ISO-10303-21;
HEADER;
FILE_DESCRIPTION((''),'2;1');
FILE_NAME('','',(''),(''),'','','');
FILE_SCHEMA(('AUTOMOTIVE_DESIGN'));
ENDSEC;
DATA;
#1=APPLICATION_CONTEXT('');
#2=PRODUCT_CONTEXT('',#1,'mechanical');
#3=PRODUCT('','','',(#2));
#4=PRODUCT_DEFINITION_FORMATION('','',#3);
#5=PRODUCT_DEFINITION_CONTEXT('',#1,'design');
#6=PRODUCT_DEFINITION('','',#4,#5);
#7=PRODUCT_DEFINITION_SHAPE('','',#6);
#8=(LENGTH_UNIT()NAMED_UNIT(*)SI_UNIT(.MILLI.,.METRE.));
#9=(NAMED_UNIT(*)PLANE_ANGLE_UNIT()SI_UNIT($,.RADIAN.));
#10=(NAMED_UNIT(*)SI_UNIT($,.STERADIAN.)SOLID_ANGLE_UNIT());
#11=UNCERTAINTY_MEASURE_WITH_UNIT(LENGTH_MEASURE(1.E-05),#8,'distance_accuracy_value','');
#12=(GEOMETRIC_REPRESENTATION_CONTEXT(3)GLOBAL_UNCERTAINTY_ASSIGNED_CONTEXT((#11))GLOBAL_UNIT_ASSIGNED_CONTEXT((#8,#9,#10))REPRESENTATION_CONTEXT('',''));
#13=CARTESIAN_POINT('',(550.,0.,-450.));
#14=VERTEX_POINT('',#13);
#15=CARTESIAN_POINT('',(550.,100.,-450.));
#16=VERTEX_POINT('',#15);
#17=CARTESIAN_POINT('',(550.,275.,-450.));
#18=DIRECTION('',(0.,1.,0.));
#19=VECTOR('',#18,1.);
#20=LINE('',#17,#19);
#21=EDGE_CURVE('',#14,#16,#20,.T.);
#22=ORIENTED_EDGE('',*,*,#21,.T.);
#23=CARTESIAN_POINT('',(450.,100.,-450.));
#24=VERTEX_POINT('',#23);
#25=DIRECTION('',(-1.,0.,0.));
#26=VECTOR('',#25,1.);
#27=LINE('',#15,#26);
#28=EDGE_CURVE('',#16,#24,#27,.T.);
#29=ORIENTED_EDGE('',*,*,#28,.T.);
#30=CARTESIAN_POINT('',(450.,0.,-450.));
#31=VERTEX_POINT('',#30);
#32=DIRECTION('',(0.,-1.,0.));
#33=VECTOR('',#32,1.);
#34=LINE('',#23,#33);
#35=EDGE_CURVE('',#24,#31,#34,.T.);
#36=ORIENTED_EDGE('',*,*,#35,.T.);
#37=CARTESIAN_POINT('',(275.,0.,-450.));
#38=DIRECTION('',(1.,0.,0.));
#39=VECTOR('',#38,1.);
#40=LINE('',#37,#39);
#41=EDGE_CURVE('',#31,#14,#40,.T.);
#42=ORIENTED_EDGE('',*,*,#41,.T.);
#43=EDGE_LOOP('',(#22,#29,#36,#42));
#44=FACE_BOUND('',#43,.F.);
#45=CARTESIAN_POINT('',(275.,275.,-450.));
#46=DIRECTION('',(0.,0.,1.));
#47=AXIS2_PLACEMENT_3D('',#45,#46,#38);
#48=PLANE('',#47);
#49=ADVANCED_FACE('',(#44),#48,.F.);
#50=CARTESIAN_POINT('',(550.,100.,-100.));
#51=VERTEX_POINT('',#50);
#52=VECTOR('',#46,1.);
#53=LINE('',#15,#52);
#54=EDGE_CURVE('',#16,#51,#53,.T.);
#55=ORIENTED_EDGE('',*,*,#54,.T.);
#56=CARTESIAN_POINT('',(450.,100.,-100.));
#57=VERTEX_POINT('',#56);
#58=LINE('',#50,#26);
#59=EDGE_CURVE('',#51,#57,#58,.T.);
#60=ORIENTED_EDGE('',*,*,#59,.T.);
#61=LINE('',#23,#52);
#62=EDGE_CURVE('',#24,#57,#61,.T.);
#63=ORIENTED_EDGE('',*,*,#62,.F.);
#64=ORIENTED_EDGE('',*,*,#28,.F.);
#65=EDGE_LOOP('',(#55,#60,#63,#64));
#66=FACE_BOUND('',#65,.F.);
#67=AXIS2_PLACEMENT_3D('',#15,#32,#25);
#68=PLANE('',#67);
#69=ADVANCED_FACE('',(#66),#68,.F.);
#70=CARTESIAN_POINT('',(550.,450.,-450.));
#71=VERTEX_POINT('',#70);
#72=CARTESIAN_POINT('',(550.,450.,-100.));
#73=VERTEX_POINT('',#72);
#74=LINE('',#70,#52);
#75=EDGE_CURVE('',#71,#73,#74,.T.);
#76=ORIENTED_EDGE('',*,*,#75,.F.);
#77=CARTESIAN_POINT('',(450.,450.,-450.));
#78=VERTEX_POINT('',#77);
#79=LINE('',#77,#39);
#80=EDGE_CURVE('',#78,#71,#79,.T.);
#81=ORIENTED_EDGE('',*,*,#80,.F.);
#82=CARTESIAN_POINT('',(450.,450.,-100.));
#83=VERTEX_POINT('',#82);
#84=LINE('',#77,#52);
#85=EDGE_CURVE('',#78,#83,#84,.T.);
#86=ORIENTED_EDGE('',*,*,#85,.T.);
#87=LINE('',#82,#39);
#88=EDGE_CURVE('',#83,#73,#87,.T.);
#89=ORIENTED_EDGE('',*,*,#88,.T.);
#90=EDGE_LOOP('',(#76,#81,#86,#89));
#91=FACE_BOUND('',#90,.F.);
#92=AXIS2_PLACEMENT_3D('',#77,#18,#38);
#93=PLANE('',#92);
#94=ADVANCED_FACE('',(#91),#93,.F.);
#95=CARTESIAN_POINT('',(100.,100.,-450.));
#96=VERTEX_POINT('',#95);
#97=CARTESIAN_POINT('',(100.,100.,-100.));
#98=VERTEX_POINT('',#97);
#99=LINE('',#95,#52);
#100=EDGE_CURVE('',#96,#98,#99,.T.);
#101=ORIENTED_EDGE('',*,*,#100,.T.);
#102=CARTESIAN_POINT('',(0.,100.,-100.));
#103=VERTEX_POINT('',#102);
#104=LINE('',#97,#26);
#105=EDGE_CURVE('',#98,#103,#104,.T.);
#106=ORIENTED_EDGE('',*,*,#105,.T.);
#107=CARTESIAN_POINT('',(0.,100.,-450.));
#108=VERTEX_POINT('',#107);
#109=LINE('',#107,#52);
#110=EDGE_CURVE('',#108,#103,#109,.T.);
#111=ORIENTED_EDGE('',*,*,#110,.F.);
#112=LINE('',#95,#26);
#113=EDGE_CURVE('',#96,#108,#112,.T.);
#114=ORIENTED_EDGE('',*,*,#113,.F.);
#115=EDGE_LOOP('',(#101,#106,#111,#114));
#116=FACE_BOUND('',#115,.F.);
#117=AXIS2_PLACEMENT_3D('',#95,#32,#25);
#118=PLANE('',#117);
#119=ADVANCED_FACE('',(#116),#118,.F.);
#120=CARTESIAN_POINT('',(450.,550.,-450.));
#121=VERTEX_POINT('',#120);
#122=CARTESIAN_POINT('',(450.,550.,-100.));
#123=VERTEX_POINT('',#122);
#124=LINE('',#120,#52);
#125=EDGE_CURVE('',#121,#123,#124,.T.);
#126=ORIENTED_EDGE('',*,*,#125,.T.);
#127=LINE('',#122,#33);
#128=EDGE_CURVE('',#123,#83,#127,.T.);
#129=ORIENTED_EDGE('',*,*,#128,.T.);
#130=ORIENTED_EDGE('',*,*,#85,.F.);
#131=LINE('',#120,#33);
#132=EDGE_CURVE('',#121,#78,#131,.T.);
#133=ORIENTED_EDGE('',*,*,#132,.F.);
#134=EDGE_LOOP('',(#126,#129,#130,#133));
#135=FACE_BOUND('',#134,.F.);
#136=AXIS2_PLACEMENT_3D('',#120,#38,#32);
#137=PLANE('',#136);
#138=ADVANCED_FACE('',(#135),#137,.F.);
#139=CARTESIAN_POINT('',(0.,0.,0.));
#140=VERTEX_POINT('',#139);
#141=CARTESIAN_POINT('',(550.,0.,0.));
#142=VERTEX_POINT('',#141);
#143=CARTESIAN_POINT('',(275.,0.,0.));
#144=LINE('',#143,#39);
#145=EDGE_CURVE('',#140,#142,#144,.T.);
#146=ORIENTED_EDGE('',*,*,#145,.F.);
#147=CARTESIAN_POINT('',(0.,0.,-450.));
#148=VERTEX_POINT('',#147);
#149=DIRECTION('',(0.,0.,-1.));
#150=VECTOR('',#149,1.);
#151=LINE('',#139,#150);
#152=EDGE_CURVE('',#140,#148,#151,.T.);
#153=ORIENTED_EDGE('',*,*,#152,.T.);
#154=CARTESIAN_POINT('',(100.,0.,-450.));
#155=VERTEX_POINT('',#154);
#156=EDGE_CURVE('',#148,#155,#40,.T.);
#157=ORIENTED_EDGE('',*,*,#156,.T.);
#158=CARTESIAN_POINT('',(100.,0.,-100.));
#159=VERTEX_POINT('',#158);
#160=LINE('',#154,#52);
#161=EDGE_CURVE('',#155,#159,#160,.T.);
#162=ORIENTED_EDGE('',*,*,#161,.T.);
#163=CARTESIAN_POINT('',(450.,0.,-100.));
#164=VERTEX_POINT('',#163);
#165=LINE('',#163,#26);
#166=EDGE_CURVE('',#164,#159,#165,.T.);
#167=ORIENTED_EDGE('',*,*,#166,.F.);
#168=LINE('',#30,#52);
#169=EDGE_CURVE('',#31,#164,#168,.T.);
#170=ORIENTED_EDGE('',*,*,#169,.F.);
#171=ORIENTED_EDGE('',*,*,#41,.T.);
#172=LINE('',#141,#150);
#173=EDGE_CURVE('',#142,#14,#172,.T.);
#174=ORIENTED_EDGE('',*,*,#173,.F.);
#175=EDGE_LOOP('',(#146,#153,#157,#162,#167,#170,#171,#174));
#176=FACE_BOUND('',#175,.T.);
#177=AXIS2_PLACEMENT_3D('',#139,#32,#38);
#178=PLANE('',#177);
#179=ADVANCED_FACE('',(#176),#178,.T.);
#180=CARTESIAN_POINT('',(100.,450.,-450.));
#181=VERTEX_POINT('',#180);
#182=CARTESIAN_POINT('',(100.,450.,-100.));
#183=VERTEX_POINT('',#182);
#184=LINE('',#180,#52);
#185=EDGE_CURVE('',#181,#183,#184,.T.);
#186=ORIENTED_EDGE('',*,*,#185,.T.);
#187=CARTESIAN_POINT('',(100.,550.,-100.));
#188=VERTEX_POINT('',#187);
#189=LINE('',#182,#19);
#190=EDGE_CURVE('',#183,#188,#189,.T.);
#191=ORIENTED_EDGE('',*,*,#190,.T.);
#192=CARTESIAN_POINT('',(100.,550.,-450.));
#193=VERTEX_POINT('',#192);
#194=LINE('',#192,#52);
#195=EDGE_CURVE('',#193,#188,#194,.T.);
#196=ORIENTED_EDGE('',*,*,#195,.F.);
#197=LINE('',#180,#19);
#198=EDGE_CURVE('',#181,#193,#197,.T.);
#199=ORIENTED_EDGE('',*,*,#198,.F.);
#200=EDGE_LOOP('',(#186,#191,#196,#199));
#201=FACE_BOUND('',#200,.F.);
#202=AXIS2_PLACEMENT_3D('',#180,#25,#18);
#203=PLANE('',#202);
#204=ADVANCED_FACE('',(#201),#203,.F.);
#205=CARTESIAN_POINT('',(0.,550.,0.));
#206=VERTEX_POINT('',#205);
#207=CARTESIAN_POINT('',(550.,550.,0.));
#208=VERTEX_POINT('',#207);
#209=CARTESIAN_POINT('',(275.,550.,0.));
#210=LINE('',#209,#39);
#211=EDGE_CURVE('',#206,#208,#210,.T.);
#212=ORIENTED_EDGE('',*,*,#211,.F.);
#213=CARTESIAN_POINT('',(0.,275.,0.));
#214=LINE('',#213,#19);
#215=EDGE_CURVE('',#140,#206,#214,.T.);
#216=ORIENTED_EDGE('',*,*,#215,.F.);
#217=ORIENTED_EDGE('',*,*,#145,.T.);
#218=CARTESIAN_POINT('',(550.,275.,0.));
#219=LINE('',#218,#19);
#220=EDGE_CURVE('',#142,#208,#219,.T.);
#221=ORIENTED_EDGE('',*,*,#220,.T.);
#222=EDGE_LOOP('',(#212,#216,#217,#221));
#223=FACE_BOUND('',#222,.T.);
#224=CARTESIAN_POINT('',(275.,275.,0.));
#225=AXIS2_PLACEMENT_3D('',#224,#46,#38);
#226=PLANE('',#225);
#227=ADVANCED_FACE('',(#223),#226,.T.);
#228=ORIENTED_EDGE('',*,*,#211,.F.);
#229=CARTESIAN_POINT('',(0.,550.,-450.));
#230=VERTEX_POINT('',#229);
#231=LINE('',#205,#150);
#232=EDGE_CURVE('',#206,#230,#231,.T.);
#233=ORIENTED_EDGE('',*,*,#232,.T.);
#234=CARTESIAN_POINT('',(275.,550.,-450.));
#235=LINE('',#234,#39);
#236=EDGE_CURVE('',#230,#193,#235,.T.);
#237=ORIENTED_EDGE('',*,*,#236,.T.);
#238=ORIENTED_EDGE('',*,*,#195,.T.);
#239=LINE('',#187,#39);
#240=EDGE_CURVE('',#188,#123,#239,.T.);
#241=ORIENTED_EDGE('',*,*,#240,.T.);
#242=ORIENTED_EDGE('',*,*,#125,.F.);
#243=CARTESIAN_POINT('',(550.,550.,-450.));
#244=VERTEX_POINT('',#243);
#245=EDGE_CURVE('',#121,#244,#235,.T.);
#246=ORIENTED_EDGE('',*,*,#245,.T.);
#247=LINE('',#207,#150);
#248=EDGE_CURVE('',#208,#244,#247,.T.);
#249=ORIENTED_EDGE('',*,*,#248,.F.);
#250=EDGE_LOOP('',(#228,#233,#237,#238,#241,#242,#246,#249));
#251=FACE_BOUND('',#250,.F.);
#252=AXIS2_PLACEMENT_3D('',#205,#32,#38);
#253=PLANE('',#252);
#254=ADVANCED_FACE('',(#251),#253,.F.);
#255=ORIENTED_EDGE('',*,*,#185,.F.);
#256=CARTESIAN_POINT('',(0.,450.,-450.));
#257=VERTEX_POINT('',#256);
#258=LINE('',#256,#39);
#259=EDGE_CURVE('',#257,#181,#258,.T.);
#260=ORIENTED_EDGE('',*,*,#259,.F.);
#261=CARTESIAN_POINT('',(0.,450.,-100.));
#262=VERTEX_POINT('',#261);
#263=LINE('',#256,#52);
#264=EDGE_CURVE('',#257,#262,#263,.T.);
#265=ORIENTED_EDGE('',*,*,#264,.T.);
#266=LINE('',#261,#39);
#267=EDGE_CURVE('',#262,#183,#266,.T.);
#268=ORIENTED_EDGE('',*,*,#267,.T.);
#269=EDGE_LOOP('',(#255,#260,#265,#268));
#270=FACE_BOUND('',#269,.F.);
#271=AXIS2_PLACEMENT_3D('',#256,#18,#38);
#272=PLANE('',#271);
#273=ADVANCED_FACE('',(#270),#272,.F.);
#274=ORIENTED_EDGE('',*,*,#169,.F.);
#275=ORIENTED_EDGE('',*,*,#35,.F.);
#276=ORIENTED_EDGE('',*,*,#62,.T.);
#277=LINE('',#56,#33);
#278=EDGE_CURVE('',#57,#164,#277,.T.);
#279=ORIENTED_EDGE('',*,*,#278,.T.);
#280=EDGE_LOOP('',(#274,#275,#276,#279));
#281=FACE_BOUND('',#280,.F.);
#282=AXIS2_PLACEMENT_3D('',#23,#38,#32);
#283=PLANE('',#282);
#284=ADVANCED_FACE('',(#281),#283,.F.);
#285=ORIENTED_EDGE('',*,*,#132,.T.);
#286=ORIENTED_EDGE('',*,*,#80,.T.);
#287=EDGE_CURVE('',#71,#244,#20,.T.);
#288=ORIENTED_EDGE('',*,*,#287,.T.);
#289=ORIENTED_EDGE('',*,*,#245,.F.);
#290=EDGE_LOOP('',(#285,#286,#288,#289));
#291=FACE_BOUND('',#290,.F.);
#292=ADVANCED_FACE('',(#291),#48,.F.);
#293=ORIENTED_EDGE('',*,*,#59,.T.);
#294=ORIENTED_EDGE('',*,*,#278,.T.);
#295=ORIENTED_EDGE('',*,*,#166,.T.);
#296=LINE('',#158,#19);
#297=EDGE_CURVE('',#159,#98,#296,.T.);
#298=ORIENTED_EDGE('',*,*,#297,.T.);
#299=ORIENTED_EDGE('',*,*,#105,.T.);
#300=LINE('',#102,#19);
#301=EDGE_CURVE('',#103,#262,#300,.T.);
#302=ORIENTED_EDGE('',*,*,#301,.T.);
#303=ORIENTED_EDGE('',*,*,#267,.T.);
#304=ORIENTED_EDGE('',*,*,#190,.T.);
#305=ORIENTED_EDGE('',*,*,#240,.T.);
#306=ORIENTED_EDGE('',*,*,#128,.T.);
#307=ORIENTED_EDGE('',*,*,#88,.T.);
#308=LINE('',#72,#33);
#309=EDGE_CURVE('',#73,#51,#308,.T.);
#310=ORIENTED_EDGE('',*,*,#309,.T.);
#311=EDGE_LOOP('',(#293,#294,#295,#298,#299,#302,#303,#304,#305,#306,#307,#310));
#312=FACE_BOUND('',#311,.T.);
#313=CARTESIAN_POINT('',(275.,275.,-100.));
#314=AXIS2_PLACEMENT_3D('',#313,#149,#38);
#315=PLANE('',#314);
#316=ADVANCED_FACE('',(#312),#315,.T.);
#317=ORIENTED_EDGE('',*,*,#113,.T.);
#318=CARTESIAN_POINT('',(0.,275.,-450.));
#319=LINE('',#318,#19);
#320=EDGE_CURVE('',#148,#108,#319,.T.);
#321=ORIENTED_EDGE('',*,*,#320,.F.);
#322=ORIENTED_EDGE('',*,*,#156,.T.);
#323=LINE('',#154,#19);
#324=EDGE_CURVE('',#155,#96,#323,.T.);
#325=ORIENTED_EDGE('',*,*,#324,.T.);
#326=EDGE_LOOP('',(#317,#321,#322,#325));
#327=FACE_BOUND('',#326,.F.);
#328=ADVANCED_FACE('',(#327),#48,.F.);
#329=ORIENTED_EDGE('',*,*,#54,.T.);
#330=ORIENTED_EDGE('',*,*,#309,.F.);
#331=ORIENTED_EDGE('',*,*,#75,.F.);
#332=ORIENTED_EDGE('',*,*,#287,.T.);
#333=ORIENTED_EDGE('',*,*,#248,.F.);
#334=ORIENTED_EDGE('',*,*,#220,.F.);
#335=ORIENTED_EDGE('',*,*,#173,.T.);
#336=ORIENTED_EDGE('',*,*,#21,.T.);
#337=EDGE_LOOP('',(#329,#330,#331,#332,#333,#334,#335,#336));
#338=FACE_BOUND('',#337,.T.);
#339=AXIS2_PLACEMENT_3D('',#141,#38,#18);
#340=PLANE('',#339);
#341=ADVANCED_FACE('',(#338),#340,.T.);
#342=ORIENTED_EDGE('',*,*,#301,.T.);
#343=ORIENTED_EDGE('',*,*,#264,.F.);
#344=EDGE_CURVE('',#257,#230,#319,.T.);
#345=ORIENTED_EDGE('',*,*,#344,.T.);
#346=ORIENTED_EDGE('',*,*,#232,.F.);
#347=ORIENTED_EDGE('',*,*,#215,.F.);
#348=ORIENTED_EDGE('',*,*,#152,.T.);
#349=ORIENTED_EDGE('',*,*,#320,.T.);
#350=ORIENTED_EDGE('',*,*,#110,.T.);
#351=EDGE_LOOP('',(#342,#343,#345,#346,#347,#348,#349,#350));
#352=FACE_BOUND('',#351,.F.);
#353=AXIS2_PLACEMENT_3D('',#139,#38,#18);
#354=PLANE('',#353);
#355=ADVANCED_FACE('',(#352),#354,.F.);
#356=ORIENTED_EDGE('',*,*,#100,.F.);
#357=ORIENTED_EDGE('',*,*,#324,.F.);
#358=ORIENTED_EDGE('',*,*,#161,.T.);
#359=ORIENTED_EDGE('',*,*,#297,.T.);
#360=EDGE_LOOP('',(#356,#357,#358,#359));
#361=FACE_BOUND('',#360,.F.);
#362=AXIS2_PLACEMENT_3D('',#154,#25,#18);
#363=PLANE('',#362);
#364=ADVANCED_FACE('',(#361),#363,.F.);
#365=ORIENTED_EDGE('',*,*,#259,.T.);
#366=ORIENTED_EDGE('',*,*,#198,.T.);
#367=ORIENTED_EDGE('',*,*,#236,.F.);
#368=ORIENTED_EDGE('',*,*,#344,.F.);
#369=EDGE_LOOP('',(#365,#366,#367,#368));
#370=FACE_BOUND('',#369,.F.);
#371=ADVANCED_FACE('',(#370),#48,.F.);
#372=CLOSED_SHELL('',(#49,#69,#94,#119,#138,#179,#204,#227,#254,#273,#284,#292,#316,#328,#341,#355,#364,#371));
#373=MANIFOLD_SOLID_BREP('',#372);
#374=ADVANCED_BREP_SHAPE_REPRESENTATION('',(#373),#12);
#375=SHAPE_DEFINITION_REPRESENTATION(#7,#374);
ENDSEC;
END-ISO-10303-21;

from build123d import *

# Parameters (mm, degrees)
F0_W     = 550
F0_H     = 550
F1_DEPTH = 450
F3_DEPTH = 350


with BuildPart() as f1:
    # F0 (on Top) → F1 (new body)
    with BuildSketch(Plane.XY):
        with Locations((275, 275)):
            Rectangle(F0_W, F0_H)
    extrude(amount=-F1_DEPTH)

    # F2 (on face) → F3 (cut)
    with BuildSketch(Plane(origin=(0, 0, -450), x_dir=(1, 0, 0), z_dir=(0, 0, -1))):
        Polygon((450, 0), (100, 0), (100, -100), (0, -100), (0, -450), (100, -450), (100, -550), (450, -550), (450, -450), (550, -450), (550, -100), (450, -100), align=None)
    extrude(amount=-F3_DEPTH, mode=Mode.SUBTRACT)


solid = f1.part
